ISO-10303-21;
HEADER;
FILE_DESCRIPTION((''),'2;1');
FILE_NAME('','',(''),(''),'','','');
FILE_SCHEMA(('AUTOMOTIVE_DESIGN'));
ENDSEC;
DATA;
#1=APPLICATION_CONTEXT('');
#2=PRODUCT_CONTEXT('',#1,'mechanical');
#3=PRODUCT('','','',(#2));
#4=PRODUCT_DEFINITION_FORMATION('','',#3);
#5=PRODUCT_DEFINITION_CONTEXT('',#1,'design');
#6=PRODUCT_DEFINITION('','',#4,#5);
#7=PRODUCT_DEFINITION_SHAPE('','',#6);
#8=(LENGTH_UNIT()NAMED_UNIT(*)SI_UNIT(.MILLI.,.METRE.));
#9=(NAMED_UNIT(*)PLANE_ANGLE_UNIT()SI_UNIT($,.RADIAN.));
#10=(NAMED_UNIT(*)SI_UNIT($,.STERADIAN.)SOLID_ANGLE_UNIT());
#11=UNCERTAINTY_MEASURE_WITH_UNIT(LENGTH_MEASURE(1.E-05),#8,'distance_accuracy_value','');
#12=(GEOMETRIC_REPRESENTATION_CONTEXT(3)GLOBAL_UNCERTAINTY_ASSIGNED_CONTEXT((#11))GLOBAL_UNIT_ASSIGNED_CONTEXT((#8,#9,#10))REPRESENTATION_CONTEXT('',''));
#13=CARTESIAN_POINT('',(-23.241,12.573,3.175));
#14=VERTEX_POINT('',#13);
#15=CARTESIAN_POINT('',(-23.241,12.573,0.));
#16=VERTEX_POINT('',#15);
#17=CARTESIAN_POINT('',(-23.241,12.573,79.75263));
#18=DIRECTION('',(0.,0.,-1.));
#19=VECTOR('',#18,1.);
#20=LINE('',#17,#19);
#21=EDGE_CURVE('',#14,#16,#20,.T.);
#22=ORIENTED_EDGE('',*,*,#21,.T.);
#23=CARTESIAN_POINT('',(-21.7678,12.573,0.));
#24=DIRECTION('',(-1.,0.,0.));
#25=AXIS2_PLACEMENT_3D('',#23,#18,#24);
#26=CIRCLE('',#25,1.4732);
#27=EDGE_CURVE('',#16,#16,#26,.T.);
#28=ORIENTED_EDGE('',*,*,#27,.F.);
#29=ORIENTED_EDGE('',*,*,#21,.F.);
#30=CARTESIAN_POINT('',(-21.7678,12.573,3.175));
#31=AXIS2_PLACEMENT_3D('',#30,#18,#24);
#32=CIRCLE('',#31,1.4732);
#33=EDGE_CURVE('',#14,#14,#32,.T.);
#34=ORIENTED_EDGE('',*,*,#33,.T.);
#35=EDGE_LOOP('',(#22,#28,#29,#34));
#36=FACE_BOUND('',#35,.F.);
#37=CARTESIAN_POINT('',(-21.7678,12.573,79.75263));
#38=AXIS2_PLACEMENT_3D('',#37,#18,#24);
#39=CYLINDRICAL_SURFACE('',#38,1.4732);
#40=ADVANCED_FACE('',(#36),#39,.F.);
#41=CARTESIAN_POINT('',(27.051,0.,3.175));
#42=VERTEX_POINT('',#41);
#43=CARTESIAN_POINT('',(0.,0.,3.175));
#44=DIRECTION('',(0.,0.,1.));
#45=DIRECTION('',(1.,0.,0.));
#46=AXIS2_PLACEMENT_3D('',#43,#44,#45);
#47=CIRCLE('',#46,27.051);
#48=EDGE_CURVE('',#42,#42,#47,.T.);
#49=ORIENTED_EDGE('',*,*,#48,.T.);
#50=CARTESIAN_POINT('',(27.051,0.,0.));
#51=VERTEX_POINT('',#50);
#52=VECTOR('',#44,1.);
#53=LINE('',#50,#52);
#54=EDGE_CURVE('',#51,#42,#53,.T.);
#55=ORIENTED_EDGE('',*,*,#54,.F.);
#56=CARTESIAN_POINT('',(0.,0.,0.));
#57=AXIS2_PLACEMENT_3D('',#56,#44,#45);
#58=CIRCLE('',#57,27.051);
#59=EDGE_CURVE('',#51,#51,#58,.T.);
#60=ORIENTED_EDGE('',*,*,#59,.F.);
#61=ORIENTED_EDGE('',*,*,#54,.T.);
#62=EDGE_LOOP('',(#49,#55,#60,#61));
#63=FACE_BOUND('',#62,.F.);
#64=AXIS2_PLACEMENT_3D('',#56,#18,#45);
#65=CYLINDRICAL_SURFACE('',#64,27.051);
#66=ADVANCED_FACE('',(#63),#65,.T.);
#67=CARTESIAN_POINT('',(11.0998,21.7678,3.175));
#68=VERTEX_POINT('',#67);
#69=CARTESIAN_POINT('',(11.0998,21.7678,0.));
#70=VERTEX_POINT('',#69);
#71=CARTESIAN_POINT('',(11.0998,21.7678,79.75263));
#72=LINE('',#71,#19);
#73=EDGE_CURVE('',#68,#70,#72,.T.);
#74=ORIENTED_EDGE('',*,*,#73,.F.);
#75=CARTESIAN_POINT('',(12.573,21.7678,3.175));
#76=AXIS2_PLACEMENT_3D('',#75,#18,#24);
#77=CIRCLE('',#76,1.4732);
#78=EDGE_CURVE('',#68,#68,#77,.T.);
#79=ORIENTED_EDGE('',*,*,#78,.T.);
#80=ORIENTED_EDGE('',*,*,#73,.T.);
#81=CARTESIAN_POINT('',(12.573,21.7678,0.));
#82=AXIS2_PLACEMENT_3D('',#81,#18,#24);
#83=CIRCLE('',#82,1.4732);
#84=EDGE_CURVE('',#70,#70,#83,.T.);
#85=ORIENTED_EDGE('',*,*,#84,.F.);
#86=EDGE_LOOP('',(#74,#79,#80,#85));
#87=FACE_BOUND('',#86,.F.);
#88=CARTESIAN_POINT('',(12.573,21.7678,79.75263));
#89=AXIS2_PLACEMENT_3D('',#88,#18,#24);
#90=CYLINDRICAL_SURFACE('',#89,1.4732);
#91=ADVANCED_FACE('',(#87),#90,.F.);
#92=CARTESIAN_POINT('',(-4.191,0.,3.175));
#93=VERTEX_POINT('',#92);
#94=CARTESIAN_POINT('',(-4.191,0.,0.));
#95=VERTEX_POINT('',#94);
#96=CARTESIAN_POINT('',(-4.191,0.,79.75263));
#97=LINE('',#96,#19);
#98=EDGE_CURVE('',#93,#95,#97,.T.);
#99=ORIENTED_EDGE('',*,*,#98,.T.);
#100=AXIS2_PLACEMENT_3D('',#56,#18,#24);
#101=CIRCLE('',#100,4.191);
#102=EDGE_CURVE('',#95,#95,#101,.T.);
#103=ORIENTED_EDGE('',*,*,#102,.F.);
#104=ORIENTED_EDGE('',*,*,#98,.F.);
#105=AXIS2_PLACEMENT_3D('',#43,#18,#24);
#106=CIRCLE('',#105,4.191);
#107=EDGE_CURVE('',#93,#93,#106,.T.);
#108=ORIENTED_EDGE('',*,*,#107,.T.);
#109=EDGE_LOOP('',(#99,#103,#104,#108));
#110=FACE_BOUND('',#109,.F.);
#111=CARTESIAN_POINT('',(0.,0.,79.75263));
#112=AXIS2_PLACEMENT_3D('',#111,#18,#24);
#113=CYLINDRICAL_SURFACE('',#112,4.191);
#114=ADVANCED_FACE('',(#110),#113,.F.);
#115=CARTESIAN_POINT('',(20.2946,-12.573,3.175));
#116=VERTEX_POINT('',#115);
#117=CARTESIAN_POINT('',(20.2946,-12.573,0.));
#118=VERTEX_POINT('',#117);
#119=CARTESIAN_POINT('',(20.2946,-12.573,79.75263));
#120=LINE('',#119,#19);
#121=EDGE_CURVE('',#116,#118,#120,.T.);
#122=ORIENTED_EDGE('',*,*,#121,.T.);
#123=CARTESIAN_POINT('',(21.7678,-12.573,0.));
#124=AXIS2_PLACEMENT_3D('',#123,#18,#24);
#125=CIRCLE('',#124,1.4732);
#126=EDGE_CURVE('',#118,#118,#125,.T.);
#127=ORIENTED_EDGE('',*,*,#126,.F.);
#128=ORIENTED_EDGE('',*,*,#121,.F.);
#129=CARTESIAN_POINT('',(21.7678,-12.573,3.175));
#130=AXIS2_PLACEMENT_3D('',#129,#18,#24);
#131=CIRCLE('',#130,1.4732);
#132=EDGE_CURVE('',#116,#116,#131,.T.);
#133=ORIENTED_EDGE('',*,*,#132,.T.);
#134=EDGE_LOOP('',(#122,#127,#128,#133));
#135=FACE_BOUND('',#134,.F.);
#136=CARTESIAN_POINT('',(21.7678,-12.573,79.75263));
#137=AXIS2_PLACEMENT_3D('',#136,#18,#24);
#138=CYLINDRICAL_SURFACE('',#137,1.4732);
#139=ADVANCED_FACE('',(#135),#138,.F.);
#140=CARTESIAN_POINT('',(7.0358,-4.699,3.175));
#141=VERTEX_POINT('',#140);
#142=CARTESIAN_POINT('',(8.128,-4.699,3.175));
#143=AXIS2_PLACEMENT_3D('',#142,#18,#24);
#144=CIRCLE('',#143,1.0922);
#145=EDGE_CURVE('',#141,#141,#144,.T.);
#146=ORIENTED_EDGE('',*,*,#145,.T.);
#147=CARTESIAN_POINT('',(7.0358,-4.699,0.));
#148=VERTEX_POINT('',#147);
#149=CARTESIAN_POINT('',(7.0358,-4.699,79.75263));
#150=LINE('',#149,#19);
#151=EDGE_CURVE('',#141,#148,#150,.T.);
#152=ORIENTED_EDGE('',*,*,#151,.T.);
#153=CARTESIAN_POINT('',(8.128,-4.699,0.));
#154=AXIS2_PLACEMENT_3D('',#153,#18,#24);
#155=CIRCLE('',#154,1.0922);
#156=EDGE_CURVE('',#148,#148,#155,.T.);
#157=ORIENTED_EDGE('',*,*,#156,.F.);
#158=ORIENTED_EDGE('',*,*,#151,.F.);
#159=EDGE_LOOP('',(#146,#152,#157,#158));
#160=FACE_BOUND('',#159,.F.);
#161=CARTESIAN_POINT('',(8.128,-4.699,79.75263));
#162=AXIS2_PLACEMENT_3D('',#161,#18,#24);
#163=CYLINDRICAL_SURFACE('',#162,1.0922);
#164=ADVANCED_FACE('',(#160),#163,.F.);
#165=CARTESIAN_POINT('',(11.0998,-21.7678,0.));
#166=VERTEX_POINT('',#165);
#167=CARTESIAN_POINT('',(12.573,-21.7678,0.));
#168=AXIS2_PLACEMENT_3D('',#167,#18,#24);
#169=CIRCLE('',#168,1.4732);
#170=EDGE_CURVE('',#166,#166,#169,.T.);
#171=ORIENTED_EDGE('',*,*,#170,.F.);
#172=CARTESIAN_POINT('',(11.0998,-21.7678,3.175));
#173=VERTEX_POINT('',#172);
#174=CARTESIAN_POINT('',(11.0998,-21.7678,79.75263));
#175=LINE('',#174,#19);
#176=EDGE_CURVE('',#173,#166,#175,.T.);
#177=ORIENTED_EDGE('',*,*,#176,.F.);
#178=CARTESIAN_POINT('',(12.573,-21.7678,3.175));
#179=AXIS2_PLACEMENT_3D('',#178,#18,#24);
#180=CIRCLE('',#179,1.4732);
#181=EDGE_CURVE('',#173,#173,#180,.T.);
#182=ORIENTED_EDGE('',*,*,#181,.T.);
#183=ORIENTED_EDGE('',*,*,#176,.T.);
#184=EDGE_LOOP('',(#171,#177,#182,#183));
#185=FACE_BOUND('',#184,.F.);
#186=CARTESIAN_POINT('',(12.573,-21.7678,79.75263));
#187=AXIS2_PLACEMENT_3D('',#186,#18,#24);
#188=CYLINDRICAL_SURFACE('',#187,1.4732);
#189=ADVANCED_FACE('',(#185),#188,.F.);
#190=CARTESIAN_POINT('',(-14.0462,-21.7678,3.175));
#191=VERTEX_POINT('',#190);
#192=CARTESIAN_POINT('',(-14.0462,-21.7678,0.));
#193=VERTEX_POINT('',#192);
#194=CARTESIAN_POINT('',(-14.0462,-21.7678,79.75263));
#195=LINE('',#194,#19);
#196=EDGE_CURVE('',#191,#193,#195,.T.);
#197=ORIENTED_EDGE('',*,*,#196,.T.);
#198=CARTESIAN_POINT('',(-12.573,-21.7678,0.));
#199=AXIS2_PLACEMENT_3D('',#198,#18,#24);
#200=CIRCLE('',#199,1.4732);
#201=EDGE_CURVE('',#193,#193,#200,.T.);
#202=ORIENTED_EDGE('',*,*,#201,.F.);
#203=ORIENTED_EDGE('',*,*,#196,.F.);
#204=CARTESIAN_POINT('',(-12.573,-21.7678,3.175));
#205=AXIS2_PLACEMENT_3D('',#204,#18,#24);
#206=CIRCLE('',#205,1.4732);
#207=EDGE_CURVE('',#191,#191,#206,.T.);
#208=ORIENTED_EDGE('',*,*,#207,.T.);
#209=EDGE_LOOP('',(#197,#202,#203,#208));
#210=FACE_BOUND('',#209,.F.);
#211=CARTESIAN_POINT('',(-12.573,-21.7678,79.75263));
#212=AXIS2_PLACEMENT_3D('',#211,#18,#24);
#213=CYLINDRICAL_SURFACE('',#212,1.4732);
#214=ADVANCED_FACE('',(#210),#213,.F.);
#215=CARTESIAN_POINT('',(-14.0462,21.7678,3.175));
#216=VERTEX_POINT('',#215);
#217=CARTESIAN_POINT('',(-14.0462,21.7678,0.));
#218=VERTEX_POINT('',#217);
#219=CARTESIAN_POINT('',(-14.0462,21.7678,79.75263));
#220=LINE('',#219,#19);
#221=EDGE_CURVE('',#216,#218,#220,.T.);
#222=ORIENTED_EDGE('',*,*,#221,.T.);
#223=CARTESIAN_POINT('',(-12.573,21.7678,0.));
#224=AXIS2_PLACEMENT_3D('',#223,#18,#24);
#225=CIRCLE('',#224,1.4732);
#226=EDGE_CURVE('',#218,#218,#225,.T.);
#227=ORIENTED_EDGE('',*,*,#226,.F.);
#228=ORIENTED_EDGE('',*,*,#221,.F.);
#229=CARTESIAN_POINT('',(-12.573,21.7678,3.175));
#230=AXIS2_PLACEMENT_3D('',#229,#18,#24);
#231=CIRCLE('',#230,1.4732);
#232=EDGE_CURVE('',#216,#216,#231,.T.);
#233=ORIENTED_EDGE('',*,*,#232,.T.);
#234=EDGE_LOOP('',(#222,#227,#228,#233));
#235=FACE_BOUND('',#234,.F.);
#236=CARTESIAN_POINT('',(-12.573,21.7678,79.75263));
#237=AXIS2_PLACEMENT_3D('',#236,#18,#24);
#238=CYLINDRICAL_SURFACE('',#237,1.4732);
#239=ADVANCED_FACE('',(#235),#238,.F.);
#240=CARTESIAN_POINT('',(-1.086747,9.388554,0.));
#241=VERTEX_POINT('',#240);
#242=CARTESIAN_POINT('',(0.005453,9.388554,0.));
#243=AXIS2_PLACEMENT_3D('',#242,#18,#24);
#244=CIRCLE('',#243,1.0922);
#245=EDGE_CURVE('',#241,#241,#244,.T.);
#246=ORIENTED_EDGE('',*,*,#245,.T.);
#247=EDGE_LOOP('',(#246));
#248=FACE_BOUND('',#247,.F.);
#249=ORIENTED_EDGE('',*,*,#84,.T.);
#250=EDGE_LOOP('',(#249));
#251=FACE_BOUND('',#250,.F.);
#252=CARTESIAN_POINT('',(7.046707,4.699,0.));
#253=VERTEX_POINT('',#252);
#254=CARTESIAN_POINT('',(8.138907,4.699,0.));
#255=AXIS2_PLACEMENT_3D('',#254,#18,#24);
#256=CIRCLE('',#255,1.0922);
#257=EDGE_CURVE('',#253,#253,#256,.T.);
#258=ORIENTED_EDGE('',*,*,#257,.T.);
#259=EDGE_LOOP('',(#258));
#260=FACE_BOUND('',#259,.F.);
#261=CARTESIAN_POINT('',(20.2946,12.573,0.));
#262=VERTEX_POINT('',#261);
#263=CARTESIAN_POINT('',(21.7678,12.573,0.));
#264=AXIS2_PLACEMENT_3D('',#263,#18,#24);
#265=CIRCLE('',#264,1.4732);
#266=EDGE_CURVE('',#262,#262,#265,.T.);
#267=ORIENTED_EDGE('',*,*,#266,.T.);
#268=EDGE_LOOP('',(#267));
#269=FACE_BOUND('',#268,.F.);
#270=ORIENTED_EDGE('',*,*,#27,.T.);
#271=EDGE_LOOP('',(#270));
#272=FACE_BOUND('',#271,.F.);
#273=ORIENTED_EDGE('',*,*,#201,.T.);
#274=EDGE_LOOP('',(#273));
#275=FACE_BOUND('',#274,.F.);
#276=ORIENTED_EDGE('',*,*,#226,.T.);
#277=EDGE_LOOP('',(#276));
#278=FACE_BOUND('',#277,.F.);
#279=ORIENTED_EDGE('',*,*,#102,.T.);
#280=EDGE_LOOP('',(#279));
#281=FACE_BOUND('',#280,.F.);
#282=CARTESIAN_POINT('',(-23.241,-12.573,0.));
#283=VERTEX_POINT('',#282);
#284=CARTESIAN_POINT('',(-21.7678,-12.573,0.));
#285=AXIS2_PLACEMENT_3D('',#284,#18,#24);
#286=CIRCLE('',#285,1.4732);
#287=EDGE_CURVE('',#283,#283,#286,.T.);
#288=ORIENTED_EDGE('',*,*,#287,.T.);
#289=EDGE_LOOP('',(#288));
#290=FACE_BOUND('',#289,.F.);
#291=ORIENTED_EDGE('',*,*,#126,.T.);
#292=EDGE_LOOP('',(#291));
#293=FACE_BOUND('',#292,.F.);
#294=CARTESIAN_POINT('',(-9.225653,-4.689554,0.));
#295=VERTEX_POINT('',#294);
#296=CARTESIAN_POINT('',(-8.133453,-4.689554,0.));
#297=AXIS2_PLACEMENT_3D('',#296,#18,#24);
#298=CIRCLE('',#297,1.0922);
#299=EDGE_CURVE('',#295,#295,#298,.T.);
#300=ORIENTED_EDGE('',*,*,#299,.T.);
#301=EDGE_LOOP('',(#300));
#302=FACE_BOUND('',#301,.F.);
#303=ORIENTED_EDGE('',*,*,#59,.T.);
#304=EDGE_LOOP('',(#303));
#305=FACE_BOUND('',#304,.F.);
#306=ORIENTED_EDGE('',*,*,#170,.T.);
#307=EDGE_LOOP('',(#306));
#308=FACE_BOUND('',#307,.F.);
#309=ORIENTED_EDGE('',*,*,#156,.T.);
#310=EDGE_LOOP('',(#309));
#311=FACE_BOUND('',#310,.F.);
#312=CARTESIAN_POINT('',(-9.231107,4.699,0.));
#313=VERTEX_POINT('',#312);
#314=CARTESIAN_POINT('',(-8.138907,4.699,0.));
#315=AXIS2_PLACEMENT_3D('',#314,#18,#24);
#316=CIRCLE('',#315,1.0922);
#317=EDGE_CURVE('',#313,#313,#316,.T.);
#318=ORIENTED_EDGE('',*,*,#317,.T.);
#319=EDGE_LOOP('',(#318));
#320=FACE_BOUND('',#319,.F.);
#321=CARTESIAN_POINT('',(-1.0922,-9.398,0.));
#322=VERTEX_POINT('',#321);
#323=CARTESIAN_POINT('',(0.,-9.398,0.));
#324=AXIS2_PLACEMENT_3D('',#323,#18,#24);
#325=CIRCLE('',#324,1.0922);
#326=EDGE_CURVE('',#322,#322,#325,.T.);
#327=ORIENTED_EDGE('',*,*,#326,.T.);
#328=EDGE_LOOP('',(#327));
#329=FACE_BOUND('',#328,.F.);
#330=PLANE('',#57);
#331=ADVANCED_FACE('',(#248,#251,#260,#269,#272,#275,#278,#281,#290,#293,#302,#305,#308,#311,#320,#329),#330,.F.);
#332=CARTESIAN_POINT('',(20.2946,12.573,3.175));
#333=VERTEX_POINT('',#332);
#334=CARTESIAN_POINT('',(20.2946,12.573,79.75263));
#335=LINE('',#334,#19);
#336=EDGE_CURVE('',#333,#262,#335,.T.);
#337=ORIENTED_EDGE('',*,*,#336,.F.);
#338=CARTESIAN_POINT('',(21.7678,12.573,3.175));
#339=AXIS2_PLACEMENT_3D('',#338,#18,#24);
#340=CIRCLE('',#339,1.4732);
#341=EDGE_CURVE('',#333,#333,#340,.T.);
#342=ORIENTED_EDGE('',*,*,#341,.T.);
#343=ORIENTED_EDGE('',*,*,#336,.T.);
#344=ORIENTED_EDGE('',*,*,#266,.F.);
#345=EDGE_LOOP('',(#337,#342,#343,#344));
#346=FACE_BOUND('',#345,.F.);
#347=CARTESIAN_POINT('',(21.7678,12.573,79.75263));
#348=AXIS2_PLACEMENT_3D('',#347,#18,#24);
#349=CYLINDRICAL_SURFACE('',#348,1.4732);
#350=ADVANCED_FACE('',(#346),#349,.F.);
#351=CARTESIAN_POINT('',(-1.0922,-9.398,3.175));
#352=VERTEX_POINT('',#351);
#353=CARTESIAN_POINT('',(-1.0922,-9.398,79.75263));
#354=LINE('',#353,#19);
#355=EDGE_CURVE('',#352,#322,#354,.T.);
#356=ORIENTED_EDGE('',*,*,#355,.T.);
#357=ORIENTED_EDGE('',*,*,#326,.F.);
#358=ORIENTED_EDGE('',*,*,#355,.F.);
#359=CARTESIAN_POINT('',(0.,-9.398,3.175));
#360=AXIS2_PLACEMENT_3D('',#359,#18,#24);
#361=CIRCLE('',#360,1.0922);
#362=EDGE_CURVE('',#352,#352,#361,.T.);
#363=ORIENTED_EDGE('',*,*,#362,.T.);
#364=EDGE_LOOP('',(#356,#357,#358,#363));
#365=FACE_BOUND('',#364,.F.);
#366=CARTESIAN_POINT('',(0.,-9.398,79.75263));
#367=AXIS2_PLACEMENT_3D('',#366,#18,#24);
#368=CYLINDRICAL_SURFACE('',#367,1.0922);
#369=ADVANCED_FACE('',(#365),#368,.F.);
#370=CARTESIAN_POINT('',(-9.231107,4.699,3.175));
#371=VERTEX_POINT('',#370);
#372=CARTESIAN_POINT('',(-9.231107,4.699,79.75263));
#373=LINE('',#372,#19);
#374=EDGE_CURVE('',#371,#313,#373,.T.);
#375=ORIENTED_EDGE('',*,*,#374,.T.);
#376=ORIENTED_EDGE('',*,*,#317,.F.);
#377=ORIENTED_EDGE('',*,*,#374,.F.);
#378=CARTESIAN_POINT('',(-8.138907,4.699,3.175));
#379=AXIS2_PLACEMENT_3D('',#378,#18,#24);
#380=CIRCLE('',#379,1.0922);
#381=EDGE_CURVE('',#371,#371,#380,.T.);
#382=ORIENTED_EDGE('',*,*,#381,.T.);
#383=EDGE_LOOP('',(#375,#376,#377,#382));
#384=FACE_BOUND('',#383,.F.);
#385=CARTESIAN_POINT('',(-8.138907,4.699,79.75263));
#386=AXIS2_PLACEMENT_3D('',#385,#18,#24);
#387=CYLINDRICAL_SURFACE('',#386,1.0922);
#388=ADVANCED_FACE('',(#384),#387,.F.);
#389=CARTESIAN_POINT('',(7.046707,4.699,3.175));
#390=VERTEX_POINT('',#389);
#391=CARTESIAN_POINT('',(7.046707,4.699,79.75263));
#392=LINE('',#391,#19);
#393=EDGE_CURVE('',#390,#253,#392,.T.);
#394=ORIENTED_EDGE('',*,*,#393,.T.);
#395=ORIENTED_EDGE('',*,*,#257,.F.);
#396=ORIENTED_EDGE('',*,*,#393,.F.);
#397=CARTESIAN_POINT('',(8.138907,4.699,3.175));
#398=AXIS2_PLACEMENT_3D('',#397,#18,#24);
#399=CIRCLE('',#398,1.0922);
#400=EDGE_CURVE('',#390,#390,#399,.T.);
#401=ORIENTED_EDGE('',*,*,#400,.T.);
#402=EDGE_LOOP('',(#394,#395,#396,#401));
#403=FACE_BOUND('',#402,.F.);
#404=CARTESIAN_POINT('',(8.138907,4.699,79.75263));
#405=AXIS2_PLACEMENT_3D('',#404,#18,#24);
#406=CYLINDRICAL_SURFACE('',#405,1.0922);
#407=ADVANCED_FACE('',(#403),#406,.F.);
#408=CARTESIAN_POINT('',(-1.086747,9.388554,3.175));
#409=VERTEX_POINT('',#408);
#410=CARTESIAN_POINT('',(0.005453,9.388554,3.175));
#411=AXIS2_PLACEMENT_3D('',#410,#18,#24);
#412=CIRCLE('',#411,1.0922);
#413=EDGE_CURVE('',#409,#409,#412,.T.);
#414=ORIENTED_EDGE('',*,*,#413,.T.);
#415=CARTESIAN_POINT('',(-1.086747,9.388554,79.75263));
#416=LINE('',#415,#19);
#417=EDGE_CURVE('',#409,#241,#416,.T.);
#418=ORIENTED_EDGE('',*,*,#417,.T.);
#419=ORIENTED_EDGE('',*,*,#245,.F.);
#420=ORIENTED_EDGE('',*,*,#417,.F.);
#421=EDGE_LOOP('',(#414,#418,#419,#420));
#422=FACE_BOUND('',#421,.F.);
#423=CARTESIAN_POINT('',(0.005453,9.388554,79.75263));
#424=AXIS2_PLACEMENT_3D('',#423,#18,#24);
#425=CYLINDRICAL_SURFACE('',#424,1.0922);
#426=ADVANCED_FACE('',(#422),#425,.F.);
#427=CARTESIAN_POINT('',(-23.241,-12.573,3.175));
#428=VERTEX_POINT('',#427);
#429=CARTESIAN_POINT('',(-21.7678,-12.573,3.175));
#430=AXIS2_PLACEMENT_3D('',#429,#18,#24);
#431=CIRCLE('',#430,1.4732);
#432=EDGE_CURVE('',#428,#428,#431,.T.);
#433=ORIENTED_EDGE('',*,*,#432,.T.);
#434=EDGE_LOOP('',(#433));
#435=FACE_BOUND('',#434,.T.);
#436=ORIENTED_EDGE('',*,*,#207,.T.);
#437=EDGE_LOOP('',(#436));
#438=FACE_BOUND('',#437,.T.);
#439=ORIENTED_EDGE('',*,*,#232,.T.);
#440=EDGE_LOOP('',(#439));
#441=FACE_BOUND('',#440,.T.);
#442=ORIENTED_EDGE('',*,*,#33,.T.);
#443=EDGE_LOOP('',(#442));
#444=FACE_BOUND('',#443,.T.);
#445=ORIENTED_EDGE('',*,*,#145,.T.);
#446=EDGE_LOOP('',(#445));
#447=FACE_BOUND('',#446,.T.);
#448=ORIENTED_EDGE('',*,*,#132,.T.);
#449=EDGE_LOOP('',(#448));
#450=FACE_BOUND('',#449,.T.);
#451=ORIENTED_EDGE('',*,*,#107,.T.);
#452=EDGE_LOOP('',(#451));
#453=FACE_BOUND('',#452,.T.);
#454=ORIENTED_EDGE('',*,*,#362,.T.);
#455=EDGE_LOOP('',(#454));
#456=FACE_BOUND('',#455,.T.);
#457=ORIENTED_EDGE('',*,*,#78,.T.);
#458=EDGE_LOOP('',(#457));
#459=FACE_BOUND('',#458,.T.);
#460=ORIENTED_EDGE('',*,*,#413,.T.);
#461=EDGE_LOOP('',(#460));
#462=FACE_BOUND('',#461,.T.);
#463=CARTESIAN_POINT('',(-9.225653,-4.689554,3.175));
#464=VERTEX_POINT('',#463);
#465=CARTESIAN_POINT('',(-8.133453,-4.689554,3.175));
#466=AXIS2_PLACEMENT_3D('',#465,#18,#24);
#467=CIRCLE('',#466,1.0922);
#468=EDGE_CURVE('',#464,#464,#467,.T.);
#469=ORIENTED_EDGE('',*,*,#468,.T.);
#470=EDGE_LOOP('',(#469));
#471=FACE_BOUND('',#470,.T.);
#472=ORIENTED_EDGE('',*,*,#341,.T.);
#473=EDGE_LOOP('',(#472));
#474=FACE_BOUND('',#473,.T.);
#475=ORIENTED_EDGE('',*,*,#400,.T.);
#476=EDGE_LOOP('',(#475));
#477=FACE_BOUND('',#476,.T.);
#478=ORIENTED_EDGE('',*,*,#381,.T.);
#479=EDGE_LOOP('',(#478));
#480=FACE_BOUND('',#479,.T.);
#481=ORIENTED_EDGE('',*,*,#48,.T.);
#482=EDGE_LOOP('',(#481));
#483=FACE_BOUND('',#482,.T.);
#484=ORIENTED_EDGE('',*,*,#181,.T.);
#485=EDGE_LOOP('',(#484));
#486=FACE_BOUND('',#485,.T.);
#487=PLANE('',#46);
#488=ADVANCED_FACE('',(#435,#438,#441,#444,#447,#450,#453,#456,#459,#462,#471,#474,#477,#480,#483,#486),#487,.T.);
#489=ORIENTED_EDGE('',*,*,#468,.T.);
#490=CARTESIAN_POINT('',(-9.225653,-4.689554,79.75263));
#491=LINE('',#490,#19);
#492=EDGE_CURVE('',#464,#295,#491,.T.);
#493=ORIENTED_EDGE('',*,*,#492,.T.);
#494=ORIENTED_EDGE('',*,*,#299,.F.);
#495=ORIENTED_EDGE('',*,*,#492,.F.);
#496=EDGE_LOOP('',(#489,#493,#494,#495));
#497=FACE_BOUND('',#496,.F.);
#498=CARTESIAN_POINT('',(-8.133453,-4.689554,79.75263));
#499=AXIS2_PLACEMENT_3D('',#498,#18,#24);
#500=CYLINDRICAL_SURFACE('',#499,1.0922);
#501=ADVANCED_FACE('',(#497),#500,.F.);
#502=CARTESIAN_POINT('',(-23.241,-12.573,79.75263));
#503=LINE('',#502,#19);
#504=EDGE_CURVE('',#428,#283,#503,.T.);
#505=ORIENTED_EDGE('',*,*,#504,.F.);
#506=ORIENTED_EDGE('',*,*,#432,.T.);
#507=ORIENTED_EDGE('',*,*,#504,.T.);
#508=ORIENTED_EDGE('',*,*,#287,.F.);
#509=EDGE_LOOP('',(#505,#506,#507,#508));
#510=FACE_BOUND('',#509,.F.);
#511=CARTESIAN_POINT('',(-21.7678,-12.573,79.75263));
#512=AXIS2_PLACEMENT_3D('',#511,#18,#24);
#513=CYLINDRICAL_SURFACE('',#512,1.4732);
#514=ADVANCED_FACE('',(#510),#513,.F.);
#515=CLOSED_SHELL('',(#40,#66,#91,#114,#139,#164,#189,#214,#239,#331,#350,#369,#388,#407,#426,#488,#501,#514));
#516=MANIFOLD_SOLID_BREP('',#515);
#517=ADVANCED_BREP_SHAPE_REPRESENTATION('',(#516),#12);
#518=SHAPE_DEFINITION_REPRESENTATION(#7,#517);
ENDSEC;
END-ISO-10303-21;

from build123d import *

# Parameters (mm, degrees)
F0_R     = 27.051
F1_DEPTH = 3.175
F4_D     = 2.9464
F5_D     = 2.1844
F7_D     = 8.382


with BuildPart() as f1:
    # F0 (on Top) → F1 (new body)
    with BuildSketch(Plane.XY):
        Circle(F0_R)
    extrude(amount=F1_DEPTH)

    # F4 (through all)
    with Locations(Plane.XY.offset(3.175)):
        with Locations((12.573, 21.7678), (21.7678, 12.573), (21.7678, -12.573), (12.573, -21.7678), (-12.573, -21.7678), (-12.573, 21.7678), (-21.7678, 12.573), (-21.7678, -12.573)):
            Hole(F4_D / 2)

    # F5 (through all)
    with Locations(Plane.XY.offset(3.175)):
        with Locations((8.128, -4.699), (8.1389067448, 4.699), (0.0054533724, 9.388554482), (-8.1389067448, 4.699), (-8.1334533724, -4.689554482), (0, -9.398)):
            Hole(F5_D / 2)

    # F7 (through all)
    with Locations(Plane.XY.offset(3.175)):
        with Locations((0, 0)):
            Hole(F7_D / 2)


solid = f1.part
